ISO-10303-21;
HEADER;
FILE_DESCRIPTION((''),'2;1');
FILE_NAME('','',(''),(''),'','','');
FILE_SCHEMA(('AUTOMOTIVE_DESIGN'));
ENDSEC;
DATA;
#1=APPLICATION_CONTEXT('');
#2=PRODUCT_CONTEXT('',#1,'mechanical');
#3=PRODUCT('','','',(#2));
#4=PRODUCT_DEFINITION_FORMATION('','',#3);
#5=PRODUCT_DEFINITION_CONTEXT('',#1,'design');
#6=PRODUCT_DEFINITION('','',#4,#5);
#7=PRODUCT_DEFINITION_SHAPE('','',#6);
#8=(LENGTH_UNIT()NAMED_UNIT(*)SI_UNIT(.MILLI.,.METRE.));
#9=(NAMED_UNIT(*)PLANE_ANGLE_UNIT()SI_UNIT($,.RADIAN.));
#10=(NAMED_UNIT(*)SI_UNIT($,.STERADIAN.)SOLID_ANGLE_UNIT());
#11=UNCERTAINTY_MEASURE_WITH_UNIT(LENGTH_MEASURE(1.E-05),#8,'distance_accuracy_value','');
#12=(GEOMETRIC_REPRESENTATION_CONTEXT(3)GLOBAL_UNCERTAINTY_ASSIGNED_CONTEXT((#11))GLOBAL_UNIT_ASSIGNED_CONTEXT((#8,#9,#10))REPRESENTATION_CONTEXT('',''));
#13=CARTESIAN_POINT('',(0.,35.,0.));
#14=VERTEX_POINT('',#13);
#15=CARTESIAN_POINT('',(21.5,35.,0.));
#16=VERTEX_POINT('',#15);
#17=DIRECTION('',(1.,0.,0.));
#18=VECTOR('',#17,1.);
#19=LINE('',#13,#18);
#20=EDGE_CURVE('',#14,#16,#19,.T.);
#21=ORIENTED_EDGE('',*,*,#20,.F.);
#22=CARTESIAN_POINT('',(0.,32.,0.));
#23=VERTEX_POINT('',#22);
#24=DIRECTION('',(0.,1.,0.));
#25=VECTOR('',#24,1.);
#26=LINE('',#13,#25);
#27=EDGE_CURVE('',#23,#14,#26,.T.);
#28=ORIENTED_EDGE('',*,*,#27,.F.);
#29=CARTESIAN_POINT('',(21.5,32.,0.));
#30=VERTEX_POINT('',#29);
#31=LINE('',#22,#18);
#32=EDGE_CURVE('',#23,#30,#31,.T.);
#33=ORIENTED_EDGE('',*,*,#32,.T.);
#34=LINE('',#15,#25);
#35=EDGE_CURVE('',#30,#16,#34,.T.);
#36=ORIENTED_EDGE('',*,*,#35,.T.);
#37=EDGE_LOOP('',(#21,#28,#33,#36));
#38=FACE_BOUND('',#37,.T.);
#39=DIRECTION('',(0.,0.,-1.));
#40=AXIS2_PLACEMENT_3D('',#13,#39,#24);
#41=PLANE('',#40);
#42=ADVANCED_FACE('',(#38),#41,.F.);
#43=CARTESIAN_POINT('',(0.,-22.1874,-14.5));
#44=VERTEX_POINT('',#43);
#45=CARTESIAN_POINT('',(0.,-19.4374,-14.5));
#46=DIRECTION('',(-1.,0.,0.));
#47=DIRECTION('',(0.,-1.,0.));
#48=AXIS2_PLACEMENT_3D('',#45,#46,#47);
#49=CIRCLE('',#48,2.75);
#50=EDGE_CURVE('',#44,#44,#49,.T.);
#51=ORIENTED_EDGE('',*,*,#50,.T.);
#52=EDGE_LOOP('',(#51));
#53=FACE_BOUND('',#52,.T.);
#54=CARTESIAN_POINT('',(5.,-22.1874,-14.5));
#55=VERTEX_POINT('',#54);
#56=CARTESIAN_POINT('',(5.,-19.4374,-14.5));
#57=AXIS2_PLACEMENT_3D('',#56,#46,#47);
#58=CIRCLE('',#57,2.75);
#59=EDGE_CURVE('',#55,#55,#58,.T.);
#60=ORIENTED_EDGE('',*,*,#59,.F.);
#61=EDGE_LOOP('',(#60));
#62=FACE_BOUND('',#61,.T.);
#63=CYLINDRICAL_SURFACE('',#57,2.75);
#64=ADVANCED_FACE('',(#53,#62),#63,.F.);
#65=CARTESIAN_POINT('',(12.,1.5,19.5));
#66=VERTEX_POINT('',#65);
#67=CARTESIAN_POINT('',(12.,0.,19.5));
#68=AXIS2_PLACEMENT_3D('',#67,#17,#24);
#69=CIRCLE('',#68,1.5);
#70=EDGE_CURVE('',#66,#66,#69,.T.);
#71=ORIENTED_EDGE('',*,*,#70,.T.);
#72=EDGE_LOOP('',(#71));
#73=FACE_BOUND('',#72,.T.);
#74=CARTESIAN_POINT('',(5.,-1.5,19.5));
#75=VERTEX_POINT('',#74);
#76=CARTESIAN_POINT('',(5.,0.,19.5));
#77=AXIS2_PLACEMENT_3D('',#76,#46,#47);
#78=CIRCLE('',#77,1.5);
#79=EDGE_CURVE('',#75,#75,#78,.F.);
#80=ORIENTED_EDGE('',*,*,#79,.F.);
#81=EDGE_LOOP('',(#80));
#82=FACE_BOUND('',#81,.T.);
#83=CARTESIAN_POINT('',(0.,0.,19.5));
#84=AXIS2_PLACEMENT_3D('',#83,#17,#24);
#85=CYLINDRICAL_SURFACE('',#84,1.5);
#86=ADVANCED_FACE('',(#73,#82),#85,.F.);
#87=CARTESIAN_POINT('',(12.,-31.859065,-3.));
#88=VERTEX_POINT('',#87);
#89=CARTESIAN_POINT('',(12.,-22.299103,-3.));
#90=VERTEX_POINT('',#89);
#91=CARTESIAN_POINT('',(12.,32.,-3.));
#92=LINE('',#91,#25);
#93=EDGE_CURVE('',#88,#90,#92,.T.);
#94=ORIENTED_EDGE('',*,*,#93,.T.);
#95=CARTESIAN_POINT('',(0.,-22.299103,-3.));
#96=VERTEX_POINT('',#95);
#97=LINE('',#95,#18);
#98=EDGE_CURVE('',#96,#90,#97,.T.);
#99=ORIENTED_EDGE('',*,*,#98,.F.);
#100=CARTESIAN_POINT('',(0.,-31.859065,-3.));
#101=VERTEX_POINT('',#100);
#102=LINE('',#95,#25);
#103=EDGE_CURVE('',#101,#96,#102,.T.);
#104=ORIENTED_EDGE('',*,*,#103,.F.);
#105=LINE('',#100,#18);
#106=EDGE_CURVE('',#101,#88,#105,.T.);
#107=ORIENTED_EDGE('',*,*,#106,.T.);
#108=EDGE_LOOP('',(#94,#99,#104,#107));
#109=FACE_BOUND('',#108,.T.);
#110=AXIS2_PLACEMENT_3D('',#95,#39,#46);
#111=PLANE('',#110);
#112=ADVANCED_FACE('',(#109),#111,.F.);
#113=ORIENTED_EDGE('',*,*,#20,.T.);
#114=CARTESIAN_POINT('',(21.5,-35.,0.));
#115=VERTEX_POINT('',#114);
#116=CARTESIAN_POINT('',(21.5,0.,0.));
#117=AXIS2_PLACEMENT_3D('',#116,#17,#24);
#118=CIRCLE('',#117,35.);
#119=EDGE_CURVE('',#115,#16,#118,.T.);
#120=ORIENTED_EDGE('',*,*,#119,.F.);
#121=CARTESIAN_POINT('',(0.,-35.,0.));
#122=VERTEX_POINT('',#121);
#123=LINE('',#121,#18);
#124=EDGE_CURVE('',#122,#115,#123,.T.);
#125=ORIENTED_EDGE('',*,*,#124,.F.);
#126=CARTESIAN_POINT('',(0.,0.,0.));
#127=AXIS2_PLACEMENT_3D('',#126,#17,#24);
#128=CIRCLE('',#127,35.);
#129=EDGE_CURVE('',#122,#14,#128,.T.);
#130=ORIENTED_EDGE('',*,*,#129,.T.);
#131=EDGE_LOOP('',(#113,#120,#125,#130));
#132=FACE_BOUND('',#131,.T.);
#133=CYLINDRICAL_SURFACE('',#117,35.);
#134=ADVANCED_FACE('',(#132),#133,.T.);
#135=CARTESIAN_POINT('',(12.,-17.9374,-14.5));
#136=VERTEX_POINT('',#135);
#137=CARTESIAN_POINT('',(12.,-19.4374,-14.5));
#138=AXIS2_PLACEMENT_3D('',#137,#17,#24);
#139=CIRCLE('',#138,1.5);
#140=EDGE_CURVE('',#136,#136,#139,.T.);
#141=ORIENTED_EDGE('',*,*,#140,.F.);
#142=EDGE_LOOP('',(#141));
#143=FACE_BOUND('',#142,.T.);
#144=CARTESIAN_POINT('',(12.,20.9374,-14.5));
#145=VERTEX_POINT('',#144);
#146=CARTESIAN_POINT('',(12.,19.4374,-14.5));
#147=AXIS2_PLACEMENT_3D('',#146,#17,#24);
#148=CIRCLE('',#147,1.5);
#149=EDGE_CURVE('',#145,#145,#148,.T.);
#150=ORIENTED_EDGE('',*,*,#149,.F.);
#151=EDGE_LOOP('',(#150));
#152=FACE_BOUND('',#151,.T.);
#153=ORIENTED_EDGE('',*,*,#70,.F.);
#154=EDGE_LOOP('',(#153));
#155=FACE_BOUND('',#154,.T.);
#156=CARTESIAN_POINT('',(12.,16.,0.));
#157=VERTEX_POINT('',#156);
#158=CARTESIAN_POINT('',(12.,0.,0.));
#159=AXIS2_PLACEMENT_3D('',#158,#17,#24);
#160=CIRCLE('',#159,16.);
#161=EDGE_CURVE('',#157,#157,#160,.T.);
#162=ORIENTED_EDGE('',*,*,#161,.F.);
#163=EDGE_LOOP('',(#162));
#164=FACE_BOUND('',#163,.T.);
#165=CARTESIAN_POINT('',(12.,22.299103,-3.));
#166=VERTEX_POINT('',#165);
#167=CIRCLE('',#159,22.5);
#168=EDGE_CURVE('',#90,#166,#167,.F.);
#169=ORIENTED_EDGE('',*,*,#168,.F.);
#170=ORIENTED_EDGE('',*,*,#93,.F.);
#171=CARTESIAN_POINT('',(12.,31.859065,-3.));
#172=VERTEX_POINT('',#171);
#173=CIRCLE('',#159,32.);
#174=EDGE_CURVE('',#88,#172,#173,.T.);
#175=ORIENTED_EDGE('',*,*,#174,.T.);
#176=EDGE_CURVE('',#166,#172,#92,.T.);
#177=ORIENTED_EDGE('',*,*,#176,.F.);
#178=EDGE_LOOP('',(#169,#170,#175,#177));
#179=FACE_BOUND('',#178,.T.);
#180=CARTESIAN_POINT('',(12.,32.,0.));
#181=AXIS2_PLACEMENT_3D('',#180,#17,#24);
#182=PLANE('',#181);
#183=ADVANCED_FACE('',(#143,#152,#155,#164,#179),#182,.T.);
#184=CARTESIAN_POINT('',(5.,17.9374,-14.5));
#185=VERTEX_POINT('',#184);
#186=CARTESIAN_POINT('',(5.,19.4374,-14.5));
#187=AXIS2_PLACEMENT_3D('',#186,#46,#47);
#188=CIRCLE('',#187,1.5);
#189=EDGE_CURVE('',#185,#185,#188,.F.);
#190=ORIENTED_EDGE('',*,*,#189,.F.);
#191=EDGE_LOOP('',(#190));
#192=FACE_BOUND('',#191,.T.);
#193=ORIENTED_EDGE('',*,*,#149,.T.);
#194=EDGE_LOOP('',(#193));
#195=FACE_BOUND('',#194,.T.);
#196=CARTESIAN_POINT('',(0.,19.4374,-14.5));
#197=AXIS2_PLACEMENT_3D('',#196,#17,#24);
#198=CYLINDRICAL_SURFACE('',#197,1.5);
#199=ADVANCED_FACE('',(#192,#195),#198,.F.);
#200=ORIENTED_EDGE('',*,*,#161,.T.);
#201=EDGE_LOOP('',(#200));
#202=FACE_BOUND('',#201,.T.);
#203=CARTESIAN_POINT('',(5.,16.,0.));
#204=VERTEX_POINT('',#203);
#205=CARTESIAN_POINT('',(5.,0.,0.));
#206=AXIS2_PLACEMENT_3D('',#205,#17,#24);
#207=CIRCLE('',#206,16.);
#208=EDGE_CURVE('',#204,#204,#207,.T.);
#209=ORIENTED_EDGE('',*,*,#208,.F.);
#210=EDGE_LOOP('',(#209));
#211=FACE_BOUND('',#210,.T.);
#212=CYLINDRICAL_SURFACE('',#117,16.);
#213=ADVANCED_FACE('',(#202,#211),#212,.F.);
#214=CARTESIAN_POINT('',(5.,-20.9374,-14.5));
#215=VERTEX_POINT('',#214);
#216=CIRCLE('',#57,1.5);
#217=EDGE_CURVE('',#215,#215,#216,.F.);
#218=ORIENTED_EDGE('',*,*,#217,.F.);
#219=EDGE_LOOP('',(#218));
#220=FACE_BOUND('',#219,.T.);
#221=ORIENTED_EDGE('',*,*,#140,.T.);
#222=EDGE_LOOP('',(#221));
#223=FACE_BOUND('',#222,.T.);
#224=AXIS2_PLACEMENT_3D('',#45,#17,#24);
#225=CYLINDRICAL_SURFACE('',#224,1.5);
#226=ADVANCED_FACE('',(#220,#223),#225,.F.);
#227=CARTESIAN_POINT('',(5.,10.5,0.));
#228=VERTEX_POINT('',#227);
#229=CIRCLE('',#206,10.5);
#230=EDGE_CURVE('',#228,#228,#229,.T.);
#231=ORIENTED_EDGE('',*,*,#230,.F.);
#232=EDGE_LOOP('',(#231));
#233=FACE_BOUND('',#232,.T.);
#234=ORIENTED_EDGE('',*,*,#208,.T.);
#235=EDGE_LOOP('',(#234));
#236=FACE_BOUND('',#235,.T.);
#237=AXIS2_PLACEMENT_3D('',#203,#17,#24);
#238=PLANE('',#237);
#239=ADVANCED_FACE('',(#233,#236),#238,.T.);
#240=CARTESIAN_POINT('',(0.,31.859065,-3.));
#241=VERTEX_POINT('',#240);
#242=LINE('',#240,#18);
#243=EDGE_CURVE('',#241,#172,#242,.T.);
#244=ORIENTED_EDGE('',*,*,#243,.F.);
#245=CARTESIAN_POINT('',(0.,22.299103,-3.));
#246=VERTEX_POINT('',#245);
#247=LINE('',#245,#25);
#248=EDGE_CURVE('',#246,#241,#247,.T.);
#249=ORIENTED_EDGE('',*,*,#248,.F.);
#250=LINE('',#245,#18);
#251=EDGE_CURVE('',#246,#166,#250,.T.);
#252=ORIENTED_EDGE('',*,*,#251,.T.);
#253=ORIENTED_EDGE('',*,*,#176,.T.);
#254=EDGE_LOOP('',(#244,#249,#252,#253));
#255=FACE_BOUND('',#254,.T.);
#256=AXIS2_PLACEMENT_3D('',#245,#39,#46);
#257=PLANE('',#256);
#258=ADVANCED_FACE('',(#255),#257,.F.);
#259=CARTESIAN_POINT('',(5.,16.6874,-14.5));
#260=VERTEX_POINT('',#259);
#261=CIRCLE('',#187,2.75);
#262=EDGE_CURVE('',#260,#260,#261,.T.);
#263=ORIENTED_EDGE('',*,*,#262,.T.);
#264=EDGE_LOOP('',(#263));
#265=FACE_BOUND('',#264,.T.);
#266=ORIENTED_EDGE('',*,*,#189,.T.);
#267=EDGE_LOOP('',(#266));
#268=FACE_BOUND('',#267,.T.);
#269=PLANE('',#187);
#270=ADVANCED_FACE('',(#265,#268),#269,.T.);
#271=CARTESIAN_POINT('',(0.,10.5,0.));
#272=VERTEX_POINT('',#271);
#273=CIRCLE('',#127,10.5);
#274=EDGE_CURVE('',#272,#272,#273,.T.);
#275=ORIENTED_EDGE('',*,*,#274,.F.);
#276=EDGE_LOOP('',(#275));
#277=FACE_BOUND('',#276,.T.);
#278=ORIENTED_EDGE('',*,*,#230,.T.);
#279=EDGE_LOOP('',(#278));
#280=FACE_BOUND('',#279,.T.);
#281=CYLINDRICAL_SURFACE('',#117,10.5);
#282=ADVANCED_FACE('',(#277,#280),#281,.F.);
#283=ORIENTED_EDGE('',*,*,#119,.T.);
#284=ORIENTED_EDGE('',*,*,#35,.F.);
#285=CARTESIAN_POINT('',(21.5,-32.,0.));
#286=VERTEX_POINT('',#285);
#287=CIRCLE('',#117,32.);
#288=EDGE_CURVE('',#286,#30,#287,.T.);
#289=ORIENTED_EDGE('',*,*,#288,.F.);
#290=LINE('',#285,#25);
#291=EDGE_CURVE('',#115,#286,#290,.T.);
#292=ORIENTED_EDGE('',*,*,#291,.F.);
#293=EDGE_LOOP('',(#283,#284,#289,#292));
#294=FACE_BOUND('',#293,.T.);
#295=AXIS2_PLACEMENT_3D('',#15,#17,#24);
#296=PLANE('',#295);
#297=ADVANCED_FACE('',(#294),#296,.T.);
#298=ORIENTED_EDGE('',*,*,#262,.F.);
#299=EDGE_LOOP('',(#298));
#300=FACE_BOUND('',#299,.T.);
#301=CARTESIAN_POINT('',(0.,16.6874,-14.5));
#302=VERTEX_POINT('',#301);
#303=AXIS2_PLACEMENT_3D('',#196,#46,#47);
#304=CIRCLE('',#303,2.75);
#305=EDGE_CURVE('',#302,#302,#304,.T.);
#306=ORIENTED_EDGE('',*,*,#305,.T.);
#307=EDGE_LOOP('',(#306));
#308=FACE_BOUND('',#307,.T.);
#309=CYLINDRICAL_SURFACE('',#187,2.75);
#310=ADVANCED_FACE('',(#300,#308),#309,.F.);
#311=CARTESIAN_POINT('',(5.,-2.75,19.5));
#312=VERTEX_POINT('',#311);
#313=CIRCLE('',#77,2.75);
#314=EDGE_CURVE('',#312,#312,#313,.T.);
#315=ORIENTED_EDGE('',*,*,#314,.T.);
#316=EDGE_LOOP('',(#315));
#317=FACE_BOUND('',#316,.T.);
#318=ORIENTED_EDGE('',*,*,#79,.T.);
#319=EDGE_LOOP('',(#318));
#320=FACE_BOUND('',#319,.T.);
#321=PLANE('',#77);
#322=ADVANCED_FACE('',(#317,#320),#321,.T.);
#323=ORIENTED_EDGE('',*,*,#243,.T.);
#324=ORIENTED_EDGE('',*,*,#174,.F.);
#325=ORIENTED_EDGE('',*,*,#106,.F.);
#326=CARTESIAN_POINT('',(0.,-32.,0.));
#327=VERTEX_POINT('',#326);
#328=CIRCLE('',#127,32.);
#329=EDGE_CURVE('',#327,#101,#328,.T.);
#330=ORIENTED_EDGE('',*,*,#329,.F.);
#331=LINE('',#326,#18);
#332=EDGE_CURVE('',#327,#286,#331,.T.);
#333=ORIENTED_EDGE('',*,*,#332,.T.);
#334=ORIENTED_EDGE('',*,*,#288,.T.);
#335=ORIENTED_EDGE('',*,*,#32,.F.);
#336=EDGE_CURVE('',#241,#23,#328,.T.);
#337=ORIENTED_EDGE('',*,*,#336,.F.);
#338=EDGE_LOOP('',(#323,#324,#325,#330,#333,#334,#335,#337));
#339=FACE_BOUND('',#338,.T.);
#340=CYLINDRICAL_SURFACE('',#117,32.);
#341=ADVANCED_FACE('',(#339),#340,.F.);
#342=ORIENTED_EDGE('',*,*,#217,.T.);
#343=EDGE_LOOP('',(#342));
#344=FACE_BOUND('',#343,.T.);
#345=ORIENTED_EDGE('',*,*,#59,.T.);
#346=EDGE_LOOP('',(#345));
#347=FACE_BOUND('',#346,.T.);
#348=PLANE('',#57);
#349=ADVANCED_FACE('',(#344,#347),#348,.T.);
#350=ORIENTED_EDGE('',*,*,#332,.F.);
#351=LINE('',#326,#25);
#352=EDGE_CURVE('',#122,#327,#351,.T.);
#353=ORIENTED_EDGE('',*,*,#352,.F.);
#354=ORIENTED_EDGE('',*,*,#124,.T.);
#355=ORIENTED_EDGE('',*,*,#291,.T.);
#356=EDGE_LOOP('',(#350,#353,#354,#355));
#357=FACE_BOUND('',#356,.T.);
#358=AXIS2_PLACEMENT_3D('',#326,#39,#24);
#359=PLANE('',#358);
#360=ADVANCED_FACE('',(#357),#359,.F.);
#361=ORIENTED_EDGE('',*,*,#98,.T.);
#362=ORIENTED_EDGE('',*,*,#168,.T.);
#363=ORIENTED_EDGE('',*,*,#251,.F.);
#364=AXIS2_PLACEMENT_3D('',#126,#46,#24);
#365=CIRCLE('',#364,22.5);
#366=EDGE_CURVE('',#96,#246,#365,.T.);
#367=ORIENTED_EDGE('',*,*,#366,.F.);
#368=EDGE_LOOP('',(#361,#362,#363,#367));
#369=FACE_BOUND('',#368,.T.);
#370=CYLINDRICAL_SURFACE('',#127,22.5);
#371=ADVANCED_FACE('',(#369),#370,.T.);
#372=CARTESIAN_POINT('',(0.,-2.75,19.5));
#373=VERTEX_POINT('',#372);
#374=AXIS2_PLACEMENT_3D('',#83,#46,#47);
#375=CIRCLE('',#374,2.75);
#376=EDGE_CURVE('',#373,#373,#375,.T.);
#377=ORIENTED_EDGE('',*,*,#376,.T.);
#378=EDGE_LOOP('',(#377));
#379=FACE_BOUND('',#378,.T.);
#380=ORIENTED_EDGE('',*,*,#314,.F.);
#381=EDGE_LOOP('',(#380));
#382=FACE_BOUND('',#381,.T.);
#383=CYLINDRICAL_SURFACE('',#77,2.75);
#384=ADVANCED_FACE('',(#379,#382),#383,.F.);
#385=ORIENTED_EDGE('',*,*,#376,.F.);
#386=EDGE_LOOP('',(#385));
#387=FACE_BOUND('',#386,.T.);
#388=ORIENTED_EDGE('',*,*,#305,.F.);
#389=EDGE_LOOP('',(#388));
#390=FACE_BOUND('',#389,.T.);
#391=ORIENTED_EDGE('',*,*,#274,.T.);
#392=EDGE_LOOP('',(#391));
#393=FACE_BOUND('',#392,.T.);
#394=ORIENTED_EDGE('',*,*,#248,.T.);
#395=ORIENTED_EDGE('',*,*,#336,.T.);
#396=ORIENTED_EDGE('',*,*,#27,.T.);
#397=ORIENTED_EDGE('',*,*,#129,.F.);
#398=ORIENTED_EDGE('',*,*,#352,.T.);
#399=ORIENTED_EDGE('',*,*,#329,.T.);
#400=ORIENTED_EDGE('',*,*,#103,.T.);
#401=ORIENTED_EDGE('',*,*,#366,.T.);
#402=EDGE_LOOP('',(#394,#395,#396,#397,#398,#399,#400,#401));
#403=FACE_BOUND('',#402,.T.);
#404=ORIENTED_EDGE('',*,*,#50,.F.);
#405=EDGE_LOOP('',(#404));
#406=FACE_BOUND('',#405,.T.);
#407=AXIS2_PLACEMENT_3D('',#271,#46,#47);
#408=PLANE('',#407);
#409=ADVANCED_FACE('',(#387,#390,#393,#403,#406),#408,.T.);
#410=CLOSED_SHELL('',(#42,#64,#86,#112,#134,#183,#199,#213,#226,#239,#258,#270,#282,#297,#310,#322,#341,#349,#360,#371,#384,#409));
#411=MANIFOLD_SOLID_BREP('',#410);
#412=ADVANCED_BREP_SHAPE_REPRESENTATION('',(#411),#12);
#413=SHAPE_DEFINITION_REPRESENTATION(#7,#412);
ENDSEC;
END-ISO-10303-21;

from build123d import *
from build123d.topology import SkipClean

# Parameters (mm, degrees)
CUT_EXTRUDE1_DEPTH      = 51.931326313
CUT_EXTRUDE1_DEPTH_BACK = 51.931326313
SKETCH2_R               = 1.5
SKETCH3_R               = 2.75
CUT_EXTRUDE2_DEPTH      = 5


with BuildPart() as part:
    # Sketch1 → Revolve1 (revolve)
    with BuildSketch(Plane.XY):
        Polygon((21.5, 35), (21.5, 32), (12, 32), (12, 16), (5, 16), (5, 10.5), (0, 10.5), (0, 35), align=None)
    revolve(axis=Axis((21.5, 0, 0), (-1, 0, 0)))

    # Sketch2 → Cut-Extrude1 (cut, two sides: drawn at the far end of the back side and taken through both)
    with SkipClean():  # the faces are left unmerged after this step: merging them gives an invalid solid
        with BuildSketch(Plane(origin=(12, 0, 0), x_dir=(0, 0, -1), z_dir=(1, 0, 0)).offset(-CUT_EXTRUDE1_DEPTH_BACK)):
            with Locations(Location((-19.5, 0, 0), (0, 0, 90))):
                Circle(SKETCH2_R)
            with Locations(Location((14.5, -19.437399517, 0), (0, 0, 90))):
                Circle(SKETCH2_R)
            with Locations(Location((14.5, 19.437399517, 0), (0, 0, 90))):
                Circle(SKETCH2_R)
            with BuildLine():
                Line((3, 22.299103121), (3, 31.859064644))
                ThreePointArc((3, 31.859064644), (1.501654319, 31.964746742), (0, 32))
                Line((0, 32), (0, 35))
                ThreePointArc((0, 35), (-35, 0), (0, -35))
                Line((0, -35), (0, -32))
                ThreePointArc((0, -32), (1.501654319, -31.964746742), (3, -31.859064644))
                Line((3, -31.859064644), (3, -22.299103121))
                ThreePointArc((3, -22.299103121), (-22.5, 0), (3, 22.299103121))
            make_face()
        extrude(amount=CUT_EXTRUDE1_DEPTH + CUT_EXTRUDE1_DEPTH_BACK, mode=Mode.SUBTRACT)

    # Sketch3 → Cut-Extrude2 (cut)
    with SkipClean():  # the faces are left unmerged after this step: merging them gives an invalid solid
        with BuildSketch(Plane.ZY):
            with Locations(Location((-14.5, 19.437399517, 0), (0, 0, 270))):
                Circle(SKETCH3_R)
            with Locations(Location((19.5, 0, 0), (0, 0, 270))):
                Circle(SKETCH3_R)
            with Locations(Location((-14.5, -19.437399517, 0), (0, 0, 270))):
                Circle(SKETCH3_R)
        extrude(amount=-CUT_EXTRUDE2_DEPTH, mode=Mode.SUBTRACT)


solid = part.part
